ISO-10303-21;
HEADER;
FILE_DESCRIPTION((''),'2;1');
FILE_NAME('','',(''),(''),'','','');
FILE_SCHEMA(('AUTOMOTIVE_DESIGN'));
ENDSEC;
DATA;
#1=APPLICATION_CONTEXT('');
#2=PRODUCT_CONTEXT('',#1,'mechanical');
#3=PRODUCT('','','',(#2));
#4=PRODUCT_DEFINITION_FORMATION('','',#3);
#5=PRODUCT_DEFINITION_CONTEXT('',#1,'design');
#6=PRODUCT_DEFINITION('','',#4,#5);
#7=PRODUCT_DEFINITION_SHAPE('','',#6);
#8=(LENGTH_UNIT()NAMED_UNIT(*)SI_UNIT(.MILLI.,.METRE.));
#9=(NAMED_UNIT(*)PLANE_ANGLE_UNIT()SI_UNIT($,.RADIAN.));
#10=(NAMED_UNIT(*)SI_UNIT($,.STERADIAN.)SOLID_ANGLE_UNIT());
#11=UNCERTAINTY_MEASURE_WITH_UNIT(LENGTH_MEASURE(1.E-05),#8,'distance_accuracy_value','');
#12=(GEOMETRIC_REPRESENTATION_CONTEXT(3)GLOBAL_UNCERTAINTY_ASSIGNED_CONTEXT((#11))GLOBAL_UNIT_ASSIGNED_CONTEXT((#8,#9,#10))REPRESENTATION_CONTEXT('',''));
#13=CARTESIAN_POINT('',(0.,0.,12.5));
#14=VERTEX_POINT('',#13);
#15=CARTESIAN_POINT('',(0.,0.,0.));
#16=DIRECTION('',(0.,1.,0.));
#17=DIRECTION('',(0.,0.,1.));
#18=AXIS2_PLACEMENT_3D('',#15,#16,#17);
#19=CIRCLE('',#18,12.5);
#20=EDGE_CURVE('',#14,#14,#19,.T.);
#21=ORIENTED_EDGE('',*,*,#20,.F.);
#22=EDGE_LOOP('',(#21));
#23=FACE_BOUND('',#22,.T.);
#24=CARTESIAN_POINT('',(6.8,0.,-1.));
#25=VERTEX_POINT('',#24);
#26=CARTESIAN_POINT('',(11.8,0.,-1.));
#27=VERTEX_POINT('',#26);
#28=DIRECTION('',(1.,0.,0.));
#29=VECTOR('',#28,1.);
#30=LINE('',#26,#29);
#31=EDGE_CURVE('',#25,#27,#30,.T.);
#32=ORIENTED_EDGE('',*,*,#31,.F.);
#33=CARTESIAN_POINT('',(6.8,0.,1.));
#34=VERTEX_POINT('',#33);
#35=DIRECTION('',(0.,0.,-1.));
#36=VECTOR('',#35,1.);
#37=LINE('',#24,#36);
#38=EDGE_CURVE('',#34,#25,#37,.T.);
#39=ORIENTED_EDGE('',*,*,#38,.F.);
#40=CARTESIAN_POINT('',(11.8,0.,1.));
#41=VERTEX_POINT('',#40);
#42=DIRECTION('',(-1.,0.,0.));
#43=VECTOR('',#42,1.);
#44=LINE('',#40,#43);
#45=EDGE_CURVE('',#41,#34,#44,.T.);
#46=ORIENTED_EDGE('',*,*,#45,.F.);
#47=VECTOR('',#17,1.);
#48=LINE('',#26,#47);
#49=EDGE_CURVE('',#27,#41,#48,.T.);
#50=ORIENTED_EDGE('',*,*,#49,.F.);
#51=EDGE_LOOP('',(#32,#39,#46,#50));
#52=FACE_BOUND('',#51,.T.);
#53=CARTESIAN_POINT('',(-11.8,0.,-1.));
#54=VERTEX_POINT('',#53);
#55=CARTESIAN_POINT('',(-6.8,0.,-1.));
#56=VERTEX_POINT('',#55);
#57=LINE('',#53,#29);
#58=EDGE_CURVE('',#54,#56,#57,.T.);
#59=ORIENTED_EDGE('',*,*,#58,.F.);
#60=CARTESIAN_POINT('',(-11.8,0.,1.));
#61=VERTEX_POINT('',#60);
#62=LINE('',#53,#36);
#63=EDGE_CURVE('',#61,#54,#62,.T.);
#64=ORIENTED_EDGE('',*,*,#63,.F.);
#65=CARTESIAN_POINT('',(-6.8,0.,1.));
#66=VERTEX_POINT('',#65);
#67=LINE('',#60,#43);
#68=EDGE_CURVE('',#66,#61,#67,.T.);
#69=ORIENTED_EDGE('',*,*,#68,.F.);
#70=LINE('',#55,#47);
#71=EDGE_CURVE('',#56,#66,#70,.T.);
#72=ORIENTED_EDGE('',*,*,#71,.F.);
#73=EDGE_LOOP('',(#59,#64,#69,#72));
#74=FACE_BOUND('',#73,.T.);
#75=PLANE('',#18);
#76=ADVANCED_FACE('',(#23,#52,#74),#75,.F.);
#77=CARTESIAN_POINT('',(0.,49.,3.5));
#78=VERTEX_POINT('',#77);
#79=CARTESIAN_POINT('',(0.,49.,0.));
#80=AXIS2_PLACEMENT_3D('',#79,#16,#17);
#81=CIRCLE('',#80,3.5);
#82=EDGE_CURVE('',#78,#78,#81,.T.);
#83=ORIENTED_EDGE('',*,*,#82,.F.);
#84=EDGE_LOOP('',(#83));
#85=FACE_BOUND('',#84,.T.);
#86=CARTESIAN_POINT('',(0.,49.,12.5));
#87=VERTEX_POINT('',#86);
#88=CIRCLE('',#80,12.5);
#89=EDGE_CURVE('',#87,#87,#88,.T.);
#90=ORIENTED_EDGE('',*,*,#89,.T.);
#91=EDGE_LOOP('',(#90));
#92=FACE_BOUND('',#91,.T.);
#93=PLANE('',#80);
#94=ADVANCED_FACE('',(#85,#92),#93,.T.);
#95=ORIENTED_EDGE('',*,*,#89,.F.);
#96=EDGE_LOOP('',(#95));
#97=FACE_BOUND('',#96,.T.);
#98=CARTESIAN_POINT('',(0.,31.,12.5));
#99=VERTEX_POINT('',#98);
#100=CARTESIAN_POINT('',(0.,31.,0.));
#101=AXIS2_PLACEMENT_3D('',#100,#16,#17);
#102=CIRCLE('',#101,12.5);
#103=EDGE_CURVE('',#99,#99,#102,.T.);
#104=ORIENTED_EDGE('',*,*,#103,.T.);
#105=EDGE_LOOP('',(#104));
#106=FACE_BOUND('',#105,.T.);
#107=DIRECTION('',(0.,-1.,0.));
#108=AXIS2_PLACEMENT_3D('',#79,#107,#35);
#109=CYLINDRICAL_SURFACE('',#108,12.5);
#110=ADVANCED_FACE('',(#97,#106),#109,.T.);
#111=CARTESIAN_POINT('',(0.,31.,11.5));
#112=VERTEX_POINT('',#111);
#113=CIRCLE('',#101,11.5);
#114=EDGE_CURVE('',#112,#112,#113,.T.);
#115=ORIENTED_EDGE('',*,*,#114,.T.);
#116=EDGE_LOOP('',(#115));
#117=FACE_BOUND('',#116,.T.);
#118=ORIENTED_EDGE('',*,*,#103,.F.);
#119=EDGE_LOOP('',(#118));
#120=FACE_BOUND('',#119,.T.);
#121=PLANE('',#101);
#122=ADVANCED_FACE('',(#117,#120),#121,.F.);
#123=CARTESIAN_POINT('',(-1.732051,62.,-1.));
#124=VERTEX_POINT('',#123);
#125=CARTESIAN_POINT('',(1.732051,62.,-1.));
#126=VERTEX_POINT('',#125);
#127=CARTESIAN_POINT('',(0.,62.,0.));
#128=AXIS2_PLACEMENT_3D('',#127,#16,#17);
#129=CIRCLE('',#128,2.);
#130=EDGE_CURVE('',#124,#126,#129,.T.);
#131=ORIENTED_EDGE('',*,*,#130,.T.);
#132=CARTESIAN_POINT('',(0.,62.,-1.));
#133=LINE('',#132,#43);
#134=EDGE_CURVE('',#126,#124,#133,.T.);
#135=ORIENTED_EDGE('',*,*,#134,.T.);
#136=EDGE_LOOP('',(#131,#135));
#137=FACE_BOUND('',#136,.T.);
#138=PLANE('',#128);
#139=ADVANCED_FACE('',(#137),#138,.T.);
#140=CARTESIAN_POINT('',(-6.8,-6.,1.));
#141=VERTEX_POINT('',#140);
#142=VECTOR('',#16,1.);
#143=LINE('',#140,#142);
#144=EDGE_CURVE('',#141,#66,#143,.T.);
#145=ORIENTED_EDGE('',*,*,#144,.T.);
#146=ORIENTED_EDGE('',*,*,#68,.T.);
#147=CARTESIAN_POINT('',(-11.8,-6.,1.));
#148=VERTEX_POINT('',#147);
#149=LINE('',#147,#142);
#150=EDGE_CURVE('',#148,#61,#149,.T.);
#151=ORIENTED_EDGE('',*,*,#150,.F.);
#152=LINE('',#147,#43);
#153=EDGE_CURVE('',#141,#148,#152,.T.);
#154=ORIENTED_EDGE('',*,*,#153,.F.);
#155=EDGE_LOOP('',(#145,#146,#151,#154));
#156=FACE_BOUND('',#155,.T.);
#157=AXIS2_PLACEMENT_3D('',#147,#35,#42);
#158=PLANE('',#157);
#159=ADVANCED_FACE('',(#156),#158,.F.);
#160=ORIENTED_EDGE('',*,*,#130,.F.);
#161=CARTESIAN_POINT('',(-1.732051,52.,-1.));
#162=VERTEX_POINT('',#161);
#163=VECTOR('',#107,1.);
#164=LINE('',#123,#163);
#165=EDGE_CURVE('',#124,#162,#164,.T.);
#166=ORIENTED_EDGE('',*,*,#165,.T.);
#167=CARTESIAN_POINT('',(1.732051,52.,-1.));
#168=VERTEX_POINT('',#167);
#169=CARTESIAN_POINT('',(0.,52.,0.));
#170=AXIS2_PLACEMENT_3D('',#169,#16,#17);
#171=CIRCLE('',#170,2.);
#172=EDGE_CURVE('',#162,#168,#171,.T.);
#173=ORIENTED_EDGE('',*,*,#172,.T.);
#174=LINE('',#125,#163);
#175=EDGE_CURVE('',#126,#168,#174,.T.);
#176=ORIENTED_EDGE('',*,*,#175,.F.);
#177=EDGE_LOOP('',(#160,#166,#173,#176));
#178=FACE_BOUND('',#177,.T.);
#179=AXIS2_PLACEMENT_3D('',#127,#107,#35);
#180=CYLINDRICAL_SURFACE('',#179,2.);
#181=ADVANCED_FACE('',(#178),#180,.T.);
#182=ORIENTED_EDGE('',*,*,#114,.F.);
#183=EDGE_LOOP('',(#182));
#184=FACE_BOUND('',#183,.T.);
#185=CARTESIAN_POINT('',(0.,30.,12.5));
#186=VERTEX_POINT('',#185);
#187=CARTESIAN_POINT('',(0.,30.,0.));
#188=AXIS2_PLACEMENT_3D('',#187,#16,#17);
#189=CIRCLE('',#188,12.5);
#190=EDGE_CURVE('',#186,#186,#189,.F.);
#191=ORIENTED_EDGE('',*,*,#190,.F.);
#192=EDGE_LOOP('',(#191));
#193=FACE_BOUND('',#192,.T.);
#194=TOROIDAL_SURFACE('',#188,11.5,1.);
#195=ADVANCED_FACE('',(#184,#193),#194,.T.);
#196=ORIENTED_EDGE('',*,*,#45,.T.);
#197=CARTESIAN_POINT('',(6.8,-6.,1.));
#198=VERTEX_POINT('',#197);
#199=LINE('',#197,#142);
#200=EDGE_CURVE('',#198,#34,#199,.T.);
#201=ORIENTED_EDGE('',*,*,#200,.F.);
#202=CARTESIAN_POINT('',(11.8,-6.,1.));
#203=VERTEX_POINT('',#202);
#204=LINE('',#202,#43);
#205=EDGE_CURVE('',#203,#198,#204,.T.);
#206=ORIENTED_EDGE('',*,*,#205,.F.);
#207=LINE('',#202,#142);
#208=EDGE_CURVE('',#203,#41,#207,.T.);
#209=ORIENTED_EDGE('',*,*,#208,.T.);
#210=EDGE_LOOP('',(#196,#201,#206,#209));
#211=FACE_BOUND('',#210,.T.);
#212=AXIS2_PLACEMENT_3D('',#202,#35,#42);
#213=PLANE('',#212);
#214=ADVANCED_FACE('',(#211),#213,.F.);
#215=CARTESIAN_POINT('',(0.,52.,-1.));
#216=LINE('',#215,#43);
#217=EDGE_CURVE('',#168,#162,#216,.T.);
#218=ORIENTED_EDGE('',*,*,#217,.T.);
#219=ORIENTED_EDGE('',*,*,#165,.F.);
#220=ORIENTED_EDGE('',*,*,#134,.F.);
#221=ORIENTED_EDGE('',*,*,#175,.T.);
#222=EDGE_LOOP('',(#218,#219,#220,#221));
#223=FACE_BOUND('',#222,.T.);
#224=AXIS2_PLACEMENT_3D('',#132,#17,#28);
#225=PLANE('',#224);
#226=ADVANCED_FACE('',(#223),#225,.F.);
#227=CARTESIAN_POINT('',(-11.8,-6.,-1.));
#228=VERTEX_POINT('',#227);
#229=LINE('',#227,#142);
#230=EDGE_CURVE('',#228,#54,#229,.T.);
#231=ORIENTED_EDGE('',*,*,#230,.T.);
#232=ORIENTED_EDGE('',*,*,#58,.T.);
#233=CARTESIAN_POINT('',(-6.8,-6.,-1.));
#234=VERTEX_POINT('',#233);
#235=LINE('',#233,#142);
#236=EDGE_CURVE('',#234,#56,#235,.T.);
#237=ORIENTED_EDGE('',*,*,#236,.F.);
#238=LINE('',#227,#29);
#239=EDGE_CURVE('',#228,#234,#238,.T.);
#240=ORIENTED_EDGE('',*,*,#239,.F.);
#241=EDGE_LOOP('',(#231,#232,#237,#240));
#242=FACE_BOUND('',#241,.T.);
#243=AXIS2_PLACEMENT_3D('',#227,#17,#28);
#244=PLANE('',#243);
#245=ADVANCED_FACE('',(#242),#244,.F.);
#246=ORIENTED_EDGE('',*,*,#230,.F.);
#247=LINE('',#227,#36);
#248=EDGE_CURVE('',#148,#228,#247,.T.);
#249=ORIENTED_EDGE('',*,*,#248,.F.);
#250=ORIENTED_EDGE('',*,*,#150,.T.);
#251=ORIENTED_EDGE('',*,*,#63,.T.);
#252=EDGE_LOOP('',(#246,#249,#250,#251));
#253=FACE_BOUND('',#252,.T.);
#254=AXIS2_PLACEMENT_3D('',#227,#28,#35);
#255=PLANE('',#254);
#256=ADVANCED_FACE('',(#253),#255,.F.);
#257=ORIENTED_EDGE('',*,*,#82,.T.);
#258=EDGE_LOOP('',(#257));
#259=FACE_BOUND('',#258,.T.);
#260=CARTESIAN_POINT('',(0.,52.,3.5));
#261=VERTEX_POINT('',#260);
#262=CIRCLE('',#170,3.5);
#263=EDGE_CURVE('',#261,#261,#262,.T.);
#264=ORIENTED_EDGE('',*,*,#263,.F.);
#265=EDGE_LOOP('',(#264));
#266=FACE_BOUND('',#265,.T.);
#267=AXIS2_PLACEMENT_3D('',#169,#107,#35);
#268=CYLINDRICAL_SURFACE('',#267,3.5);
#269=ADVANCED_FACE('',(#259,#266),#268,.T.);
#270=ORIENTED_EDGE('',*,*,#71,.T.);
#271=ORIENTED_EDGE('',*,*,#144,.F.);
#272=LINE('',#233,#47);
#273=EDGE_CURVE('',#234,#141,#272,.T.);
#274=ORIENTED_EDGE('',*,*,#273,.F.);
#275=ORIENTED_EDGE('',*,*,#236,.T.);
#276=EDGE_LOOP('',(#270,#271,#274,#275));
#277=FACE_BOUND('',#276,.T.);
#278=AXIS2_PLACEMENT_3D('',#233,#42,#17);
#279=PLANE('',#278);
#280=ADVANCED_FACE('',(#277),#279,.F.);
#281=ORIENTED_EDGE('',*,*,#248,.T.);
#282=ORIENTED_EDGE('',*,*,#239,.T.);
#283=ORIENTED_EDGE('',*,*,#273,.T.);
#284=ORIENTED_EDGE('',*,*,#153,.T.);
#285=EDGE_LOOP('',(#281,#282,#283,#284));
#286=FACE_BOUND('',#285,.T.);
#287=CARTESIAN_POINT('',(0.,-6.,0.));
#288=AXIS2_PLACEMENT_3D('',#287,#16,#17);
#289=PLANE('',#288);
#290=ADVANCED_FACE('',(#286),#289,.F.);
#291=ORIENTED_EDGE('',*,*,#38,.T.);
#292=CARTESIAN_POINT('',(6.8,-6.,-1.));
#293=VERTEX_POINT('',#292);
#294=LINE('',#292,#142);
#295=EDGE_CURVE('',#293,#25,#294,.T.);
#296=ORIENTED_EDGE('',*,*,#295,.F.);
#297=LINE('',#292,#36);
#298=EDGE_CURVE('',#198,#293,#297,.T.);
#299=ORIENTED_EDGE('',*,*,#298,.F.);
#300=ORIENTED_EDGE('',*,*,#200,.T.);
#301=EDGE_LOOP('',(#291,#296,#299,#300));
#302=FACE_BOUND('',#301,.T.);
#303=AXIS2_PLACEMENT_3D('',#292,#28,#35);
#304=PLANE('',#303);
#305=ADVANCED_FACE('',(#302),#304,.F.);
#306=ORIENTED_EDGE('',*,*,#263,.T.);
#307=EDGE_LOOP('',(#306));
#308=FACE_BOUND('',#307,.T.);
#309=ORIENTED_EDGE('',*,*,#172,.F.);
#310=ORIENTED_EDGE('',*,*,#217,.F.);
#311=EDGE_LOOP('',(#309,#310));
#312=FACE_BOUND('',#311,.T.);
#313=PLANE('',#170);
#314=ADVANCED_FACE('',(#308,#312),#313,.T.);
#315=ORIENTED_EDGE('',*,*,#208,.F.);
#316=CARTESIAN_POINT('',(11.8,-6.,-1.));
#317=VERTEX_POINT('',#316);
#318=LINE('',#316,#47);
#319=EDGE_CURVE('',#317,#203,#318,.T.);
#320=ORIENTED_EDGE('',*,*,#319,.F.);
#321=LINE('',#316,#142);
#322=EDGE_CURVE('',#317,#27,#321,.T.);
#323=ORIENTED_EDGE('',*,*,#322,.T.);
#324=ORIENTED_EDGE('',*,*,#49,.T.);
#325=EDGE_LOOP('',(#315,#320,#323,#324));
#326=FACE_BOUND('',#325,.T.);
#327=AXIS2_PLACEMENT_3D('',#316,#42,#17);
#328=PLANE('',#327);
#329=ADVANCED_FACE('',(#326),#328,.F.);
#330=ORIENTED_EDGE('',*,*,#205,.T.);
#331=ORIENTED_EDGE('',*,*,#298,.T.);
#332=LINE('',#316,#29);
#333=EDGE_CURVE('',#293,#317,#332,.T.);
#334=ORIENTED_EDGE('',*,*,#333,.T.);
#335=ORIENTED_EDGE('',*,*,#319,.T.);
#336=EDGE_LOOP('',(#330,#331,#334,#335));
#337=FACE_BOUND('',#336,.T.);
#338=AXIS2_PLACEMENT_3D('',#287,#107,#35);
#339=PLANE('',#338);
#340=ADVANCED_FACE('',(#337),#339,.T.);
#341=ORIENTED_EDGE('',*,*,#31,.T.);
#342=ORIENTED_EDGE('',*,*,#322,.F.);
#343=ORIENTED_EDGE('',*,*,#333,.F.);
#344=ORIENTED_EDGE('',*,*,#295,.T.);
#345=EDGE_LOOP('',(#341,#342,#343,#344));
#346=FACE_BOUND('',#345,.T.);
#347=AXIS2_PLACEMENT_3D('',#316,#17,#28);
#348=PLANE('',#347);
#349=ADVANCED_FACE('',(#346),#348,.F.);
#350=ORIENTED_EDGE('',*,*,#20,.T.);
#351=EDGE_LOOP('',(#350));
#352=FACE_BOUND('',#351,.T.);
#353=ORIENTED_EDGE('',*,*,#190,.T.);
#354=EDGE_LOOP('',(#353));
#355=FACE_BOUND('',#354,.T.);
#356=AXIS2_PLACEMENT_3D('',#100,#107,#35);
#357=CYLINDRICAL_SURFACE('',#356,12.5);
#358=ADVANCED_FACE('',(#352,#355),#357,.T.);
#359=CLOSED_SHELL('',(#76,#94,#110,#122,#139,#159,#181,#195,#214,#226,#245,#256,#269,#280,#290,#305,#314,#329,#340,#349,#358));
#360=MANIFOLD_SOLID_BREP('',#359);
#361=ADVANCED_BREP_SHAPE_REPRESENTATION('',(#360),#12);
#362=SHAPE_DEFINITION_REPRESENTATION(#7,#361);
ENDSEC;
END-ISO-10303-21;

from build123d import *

# Parameters (mm, degrees)
ESBO_O1_R                = 12.5
RESSALTO_EXTRUS_O1_DEPTH = 31
FILETE1_R                = 1
ESBO_O2_R                = 12.5
RESSALTO_EXTRUS_O2_DEPTH = 18
ESBO_O3_W                = 5
ESBO_O3_H                = 2
RESSALTO_EXTRUS_O3_DEPTH = 6
ESBO_O5_R                = 3.5
RESSALTO_EXTRUS_O4_DEPTH = 3
RESSALTO_EXTRUS_O5_DEPTH = 10


with BuildPart() as part:
    # Esboço1 → Ressalto-extrusão1 (new body)
    with BuildSketch(Plane(origin=(0, 0, 0), x_dir=(1, 0, 0), z_dir=(0, 1, 0))):
        with Locations(Location((0, 0, 0), (0, 0, 270))):
            Circle(ESBO_O1_R)
    extrude(amount=RESSALTO_EXTRUS_O1_DEPTH)

    # Filete1
    filete1_edges = [part.edges().sort_by_distance(p)[0] for p in [
        (0, 31, -12.5),
    ]]
    fillet(filete1_edges, radius=FILETE1_R)

    # Esboço2 → Ressalto-extrusão2 (add)
    with BuildSketch(Plane(origin=(0, 31, 0), x_dir=(1, 0, 0), z_dir=(0, 1, 0))):
        with Locations(Location((0, 0, 0), (0, 0, 270))):
            Circle(ESBO_O2_R)
    extrude(amount=RESSALTO_EXTRUS_O2_DEPTH)

    # Esboço3 → Ressalto-extrusão3 (add)
    with BuildSketch(Plane.XZ):
        with Locations((9.3, 0)):
            Rectangle(ESBO_O3_W, ESBO_O3_H)
        with Locations((-9.3, 0)):
            Rectangle(ESBO_O3_W, ESBO_O3_H)
    extrude(amount=RESSALTO_EXTRUS_O3_DEPTH)

    # Esboço5 → Ressalto-extrusão4 (add)
    with BuildSketch(Plane(origin=(0, 49, 0), x_dir=(1, 0, 0), z_dir=(0, 1, 0))):
        with Locations(Location((0, 0, 0), (0, 0, 270))):
            Circle(ESBO_O5_R)
    extrude(amount=RESSALTO_EXTRUS_O4_DEPTH)

    # Esboço6 → Ressalto-extrusão5 (add)
    with BuildSketch(Plane(origin=(0, 52, 0), x_dir=(1, 0, 0), z_dir=(0, 1, 0))):
        with BuildLine():
            ThreePointArc((-1.732050808, 1), (0, -2), (1.732050808, 1))
            Line((1.732050808, 1), (-1.732050808, 1))
        make_face()
    extrude(amount=RESSALTO_EXTRUS_O5_DEPTH)


solid = part.part
